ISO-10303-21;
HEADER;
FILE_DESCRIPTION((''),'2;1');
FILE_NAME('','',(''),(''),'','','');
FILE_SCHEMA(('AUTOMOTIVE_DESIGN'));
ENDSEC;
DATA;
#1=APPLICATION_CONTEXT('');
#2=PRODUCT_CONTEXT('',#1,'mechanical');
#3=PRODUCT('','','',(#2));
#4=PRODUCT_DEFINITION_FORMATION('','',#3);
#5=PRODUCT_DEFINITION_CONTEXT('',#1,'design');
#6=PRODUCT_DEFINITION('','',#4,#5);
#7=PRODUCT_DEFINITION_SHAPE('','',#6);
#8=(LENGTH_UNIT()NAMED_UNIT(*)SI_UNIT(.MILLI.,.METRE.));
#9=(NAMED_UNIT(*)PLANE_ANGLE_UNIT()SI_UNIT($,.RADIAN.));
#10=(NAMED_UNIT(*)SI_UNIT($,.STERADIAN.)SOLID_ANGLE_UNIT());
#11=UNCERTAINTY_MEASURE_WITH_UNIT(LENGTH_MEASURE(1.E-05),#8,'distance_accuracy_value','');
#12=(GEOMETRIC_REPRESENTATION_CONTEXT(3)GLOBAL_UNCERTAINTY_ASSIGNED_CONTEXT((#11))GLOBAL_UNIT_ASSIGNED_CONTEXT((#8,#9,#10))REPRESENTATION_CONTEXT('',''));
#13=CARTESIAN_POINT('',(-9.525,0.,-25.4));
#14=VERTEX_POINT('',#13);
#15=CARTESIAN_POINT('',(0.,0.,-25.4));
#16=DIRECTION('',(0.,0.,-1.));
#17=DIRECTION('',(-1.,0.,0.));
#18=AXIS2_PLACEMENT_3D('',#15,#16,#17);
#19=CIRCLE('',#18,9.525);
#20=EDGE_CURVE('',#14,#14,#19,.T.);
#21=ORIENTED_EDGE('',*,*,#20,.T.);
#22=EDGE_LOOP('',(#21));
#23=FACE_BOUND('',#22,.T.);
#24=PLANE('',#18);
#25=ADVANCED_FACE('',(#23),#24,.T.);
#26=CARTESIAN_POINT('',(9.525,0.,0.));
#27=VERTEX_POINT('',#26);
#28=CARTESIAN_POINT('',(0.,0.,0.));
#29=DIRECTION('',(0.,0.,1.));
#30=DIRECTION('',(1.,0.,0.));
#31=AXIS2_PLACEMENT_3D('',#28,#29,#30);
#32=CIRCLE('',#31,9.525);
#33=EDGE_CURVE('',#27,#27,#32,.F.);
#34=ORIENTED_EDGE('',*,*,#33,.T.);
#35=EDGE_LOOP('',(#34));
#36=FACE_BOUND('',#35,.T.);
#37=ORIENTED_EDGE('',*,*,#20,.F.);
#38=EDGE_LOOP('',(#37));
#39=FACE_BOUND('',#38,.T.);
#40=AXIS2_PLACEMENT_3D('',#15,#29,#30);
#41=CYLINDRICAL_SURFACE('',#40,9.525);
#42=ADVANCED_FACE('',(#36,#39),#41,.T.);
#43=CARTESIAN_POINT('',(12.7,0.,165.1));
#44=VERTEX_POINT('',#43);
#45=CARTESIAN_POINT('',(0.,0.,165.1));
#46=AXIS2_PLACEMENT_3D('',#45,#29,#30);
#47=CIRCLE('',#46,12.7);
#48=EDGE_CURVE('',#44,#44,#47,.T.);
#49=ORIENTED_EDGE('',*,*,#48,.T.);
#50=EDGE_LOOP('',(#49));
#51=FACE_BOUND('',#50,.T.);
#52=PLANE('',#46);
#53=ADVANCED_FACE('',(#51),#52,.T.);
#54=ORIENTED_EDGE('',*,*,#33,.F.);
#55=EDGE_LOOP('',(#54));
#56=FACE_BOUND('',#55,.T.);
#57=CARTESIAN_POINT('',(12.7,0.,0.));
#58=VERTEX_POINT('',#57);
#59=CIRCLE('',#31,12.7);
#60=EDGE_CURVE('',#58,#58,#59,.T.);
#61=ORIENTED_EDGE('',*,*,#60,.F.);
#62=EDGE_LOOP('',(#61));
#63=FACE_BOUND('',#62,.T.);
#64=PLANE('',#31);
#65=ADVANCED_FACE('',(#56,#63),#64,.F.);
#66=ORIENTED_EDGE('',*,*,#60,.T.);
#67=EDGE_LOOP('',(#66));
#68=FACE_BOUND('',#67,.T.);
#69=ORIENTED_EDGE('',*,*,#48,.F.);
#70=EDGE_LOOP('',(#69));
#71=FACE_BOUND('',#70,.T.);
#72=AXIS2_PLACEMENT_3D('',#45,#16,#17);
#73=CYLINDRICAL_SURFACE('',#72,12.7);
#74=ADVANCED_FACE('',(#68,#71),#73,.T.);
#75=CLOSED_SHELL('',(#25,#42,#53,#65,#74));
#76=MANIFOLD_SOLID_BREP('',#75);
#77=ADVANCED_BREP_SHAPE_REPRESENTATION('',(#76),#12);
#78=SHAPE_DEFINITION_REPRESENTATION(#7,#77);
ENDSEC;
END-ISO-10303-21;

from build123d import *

# Parameters (mm, degrees)
SKETCH1_R           = 12.7
BASE_EXTRUDE_DEPTH  = 165.1
SKETCH2_R           = 9.525
BOSS_EXTRUDE1_DEPTH = 25.4


with BuildPart() as part:
    # Sketch1 → Base-Extrude (new body)
    with BuildSketch(Plane.XY):
        Circle(SKETCH1_R)
    extrude(amount=BASE_EXTRUDE_DEPTH)

    # Sketch2 → Boss-Extrude1 (add)
    with BuildSketch(Plane(origin=(0, 0, 0), x_dir=(-1, 0, 0), z_dir=(0, 0, -1))):
        with Locations(Location((0, 0, 0), (0, 0, 180))):
            Circle(SKETCH2_R)
    extrude(amount=BOSS_EXTRUDE1_DEPTH)


solid = part.part
